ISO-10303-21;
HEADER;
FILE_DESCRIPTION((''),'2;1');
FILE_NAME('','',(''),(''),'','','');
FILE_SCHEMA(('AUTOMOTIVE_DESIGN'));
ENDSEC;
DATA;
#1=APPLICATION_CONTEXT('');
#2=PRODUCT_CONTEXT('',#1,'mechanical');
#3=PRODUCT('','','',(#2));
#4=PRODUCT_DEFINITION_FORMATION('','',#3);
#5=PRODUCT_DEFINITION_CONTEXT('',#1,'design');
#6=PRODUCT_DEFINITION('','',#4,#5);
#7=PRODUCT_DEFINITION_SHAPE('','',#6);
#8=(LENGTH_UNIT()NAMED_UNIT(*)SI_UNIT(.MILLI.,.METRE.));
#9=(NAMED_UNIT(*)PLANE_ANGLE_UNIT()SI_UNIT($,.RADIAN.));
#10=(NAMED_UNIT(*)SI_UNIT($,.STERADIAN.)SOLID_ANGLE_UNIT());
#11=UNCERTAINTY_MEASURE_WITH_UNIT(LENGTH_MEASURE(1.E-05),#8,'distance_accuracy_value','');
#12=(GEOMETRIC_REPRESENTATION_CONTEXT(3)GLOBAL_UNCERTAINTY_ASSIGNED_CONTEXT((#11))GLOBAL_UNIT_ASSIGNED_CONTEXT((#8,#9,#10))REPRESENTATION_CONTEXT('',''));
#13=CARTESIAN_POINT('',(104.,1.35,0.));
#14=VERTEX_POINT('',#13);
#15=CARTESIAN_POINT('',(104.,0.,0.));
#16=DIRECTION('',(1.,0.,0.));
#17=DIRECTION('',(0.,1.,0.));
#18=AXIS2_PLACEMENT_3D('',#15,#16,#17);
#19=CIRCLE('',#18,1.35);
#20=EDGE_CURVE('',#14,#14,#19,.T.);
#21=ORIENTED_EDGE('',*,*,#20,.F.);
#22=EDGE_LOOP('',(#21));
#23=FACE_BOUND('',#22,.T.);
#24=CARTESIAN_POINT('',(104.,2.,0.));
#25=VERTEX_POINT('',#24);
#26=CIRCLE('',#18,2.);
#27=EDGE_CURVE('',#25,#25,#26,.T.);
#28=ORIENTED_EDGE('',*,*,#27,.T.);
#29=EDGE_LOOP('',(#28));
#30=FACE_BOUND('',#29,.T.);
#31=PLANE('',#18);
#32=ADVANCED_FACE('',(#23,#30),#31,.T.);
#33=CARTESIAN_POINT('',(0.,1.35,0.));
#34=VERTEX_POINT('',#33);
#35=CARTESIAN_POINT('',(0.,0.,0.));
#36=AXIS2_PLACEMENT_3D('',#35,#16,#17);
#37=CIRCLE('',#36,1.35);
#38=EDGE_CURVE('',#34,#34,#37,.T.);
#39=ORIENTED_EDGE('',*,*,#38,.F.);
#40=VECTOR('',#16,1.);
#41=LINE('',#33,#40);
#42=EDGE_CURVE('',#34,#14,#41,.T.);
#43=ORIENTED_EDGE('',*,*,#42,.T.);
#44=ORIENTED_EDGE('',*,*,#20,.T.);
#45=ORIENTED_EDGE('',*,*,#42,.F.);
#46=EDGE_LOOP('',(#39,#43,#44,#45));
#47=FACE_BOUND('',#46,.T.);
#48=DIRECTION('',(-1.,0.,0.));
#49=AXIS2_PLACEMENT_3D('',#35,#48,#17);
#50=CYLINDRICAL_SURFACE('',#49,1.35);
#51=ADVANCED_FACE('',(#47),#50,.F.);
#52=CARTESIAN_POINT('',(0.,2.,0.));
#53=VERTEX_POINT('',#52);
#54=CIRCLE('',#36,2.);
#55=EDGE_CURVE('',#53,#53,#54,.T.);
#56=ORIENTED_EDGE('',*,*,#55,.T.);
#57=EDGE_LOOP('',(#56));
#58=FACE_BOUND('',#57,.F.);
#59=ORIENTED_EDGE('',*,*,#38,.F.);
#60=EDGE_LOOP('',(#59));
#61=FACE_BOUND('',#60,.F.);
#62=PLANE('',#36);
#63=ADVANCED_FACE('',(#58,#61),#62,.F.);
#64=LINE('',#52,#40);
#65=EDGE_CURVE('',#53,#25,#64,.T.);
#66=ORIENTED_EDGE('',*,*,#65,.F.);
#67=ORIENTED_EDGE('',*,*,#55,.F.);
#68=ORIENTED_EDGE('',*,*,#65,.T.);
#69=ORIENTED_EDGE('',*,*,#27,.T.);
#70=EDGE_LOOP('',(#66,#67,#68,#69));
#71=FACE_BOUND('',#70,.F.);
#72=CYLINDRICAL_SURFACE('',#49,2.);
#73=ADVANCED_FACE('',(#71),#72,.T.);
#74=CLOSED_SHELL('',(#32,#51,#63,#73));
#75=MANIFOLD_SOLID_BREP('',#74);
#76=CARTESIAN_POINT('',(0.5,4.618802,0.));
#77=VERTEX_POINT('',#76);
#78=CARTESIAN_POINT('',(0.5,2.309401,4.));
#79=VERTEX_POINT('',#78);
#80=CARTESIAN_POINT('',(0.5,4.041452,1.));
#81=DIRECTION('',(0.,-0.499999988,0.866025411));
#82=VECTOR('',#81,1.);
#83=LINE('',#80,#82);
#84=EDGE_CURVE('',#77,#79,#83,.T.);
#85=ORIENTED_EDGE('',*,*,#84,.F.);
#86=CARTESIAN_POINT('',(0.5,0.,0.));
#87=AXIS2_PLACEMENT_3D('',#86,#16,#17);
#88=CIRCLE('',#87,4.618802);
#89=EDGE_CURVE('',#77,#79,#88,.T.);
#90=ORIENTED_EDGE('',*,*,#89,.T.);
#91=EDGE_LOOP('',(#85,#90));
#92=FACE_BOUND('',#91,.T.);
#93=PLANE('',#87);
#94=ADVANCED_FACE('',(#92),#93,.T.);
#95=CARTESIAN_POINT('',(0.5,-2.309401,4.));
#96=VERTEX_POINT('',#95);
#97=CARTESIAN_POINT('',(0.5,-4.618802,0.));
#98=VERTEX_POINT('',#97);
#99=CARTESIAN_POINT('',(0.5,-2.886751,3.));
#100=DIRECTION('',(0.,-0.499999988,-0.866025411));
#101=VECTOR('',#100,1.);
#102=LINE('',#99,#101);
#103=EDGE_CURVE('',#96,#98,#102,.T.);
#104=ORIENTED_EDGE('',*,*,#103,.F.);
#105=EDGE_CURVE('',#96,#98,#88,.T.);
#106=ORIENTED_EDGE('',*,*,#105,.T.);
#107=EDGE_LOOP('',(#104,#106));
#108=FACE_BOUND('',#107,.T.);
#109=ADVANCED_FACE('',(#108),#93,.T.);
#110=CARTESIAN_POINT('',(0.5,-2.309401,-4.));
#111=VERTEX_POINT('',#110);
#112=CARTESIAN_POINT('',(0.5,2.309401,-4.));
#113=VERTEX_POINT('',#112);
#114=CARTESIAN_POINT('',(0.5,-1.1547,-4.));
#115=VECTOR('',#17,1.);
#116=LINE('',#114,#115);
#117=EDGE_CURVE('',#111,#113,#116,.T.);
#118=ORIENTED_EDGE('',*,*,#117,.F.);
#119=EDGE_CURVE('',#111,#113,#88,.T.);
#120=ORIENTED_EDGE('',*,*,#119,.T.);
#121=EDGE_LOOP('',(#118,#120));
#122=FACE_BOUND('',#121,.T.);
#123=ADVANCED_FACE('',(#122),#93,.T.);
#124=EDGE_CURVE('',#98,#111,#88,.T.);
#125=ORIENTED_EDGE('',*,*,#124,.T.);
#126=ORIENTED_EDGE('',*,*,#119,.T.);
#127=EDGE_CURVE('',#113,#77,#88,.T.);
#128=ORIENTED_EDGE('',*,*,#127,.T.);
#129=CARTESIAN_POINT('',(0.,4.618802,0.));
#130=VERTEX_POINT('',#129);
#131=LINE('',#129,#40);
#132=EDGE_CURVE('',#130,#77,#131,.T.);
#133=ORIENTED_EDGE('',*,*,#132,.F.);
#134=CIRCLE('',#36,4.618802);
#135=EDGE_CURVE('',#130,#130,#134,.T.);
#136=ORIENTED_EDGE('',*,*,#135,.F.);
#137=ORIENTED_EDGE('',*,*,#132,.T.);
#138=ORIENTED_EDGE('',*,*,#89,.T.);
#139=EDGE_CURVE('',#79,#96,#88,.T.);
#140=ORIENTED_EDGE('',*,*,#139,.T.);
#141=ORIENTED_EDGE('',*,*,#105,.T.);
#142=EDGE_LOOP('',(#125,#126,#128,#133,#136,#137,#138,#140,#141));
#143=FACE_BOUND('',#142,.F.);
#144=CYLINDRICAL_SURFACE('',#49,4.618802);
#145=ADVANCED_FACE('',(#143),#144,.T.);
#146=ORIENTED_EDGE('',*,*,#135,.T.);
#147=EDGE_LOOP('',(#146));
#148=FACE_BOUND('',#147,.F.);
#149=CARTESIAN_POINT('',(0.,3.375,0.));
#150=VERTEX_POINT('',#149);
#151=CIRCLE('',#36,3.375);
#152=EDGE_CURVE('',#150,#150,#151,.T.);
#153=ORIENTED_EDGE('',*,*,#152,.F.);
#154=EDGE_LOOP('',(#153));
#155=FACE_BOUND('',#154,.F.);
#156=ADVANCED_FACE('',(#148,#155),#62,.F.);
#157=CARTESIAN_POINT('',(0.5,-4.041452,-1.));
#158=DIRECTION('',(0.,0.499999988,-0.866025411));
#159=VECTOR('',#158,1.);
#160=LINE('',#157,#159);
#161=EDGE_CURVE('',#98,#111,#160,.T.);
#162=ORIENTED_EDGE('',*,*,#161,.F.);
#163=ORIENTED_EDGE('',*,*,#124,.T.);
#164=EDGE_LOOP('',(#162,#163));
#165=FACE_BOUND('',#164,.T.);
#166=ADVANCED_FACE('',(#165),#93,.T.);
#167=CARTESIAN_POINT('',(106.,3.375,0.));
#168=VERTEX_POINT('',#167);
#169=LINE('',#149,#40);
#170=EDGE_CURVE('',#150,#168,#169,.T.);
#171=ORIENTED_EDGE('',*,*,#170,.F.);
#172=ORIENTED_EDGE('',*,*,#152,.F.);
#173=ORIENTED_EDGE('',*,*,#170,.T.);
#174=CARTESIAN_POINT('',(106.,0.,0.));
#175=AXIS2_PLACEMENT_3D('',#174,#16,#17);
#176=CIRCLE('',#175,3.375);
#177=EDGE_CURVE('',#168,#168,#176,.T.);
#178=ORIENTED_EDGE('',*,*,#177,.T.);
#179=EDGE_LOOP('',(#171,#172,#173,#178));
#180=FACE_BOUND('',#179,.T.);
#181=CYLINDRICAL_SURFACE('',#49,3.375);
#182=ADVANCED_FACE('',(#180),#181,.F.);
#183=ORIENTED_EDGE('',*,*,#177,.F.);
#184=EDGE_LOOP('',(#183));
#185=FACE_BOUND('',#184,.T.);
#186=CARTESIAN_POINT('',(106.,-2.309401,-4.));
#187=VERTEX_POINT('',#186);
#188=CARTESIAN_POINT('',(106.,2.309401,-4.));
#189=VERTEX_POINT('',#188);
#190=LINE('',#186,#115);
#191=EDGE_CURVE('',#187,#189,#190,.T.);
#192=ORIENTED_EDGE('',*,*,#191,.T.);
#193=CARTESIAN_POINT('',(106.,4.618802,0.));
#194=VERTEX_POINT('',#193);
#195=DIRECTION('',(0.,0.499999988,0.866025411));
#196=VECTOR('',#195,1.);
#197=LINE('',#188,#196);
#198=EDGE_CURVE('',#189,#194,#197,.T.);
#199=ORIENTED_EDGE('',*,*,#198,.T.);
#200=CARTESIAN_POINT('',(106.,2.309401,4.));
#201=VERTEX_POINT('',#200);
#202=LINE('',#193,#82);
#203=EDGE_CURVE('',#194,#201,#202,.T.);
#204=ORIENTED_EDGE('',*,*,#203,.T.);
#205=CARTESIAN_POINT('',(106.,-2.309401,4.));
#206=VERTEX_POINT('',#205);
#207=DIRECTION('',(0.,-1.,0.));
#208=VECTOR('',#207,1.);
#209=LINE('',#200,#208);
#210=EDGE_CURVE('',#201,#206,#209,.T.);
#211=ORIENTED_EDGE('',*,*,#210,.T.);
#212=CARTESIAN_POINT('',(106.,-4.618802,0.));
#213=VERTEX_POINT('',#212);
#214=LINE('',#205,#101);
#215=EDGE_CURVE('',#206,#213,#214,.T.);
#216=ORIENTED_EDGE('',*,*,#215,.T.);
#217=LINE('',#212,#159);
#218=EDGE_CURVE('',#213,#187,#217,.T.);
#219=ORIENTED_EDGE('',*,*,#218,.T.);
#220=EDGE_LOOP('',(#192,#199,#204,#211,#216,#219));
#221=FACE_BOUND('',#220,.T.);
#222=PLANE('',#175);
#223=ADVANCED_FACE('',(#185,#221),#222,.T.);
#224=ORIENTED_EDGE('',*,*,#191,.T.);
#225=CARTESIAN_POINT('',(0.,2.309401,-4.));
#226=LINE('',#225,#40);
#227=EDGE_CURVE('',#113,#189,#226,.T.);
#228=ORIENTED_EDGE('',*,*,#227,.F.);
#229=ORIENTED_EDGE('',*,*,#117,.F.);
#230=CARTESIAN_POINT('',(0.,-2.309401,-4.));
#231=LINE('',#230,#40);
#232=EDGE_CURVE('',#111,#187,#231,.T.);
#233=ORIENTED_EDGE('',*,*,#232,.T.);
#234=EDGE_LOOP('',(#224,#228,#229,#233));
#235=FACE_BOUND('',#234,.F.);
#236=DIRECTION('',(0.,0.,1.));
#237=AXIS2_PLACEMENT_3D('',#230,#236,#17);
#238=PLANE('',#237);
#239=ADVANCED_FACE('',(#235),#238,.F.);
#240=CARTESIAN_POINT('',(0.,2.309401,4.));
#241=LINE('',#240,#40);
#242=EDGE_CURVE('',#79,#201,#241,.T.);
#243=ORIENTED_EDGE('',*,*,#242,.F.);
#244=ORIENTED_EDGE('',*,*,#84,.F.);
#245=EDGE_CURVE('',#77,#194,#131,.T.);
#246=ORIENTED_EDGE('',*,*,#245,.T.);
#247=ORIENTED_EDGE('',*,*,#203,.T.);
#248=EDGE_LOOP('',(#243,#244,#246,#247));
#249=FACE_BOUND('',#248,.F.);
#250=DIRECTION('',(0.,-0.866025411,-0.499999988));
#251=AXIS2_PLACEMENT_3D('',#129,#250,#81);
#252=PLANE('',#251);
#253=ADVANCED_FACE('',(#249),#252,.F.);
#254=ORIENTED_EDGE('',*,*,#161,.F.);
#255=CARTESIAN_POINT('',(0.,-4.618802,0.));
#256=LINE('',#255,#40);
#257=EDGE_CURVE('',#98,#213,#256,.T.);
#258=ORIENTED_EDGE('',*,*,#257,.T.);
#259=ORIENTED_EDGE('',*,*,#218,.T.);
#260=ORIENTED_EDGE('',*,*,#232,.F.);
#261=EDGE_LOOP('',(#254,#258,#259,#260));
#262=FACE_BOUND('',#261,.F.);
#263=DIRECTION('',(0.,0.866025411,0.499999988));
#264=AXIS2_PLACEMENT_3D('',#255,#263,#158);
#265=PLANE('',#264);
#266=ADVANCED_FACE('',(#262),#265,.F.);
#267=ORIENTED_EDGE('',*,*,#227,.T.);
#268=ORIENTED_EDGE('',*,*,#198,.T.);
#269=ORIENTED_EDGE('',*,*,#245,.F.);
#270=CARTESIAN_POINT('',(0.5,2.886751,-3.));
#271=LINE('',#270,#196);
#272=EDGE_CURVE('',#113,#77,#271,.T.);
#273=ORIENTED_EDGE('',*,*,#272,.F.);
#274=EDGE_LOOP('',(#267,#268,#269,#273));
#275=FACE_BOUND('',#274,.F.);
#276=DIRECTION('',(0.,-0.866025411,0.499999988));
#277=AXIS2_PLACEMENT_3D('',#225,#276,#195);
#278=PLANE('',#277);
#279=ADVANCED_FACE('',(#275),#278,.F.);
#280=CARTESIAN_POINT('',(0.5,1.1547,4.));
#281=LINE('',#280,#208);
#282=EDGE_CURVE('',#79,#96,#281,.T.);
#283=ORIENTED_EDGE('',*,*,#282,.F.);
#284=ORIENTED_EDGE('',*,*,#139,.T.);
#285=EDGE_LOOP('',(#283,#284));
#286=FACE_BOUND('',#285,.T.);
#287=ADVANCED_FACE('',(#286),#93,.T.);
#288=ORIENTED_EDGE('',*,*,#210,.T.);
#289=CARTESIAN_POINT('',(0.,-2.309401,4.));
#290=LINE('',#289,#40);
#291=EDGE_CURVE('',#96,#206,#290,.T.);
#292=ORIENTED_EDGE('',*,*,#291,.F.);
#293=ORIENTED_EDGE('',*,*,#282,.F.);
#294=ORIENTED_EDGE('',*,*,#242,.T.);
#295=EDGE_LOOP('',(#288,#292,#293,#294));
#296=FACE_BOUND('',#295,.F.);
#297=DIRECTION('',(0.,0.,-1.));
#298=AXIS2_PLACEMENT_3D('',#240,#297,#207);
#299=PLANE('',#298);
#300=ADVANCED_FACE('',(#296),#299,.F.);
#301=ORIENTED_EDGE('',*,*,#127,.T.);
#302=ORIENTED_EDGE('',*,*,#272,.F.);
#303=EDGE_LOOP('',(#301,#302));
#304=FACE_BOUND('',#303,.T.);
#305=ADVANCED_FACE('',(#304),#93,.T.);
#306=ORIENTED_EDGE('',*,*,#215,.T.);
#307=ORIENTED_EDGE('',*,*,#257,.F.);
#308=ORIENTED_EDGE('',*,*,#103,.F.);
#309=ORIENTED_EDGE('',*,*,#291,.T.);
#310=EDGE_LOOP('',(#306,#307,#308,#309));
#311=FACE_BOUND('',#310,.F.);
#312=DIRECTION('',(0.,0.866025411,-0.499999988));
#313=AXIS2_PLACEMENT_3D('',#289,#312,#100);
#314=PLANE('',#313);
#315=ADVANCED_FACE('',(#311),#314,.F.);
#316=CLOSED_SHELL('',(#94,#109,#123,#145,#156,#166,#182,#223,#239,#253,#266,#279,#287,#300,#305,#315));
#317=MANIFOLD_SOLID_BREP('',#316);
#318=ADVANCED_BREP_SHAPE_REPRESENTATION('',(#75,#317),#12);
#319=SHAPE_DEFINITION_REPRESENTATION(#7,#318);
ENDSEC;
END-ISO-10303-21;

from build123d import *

# Parameters (mm, degrees)
F0_R     = 2
F0_R_2   = 1.35
F1_DEPTH = 104
F2_R     = 3.375
F3_DEPTH = 106
F4_R     = 4.618802
F4_R_2   = 3.375
F5_DEPTH = 0.5


with BuildPart() as f1:
    # F0 (on Right) → F1 (new body)
    with BuildSketch(Plane.YZ):
        Circle(F0_R)
        Circle(F0_R_2, mode=Mode.SUBTRACT)
    extrude(amount=F1_DEPTH)


with BuildPart() as f3:
    # F2 (on Right) → F3 (new body)
    with BuildSketch(Plane.YZ):
        Polygon((-2.309401, 4), (-4.618802, 0), (-2.309401, -4), (2.309401, -4), (4.618802, 0), (2.309401, 4), align=None)
        Circle(F2_R, mode=Mode.SUBTRACT)
    extrude(amount=F3_DEPTH)

    # F4 (on Right) → F5 (join)
    with BuildSketch(Plane.YZ):
        Circle(F4_R)
        Circle(F4_R_2, mode=Mode.SUBTRACT)
    extrude(amount=F5_DEPTH)


solid = Compound([f1.part, f3.part])
